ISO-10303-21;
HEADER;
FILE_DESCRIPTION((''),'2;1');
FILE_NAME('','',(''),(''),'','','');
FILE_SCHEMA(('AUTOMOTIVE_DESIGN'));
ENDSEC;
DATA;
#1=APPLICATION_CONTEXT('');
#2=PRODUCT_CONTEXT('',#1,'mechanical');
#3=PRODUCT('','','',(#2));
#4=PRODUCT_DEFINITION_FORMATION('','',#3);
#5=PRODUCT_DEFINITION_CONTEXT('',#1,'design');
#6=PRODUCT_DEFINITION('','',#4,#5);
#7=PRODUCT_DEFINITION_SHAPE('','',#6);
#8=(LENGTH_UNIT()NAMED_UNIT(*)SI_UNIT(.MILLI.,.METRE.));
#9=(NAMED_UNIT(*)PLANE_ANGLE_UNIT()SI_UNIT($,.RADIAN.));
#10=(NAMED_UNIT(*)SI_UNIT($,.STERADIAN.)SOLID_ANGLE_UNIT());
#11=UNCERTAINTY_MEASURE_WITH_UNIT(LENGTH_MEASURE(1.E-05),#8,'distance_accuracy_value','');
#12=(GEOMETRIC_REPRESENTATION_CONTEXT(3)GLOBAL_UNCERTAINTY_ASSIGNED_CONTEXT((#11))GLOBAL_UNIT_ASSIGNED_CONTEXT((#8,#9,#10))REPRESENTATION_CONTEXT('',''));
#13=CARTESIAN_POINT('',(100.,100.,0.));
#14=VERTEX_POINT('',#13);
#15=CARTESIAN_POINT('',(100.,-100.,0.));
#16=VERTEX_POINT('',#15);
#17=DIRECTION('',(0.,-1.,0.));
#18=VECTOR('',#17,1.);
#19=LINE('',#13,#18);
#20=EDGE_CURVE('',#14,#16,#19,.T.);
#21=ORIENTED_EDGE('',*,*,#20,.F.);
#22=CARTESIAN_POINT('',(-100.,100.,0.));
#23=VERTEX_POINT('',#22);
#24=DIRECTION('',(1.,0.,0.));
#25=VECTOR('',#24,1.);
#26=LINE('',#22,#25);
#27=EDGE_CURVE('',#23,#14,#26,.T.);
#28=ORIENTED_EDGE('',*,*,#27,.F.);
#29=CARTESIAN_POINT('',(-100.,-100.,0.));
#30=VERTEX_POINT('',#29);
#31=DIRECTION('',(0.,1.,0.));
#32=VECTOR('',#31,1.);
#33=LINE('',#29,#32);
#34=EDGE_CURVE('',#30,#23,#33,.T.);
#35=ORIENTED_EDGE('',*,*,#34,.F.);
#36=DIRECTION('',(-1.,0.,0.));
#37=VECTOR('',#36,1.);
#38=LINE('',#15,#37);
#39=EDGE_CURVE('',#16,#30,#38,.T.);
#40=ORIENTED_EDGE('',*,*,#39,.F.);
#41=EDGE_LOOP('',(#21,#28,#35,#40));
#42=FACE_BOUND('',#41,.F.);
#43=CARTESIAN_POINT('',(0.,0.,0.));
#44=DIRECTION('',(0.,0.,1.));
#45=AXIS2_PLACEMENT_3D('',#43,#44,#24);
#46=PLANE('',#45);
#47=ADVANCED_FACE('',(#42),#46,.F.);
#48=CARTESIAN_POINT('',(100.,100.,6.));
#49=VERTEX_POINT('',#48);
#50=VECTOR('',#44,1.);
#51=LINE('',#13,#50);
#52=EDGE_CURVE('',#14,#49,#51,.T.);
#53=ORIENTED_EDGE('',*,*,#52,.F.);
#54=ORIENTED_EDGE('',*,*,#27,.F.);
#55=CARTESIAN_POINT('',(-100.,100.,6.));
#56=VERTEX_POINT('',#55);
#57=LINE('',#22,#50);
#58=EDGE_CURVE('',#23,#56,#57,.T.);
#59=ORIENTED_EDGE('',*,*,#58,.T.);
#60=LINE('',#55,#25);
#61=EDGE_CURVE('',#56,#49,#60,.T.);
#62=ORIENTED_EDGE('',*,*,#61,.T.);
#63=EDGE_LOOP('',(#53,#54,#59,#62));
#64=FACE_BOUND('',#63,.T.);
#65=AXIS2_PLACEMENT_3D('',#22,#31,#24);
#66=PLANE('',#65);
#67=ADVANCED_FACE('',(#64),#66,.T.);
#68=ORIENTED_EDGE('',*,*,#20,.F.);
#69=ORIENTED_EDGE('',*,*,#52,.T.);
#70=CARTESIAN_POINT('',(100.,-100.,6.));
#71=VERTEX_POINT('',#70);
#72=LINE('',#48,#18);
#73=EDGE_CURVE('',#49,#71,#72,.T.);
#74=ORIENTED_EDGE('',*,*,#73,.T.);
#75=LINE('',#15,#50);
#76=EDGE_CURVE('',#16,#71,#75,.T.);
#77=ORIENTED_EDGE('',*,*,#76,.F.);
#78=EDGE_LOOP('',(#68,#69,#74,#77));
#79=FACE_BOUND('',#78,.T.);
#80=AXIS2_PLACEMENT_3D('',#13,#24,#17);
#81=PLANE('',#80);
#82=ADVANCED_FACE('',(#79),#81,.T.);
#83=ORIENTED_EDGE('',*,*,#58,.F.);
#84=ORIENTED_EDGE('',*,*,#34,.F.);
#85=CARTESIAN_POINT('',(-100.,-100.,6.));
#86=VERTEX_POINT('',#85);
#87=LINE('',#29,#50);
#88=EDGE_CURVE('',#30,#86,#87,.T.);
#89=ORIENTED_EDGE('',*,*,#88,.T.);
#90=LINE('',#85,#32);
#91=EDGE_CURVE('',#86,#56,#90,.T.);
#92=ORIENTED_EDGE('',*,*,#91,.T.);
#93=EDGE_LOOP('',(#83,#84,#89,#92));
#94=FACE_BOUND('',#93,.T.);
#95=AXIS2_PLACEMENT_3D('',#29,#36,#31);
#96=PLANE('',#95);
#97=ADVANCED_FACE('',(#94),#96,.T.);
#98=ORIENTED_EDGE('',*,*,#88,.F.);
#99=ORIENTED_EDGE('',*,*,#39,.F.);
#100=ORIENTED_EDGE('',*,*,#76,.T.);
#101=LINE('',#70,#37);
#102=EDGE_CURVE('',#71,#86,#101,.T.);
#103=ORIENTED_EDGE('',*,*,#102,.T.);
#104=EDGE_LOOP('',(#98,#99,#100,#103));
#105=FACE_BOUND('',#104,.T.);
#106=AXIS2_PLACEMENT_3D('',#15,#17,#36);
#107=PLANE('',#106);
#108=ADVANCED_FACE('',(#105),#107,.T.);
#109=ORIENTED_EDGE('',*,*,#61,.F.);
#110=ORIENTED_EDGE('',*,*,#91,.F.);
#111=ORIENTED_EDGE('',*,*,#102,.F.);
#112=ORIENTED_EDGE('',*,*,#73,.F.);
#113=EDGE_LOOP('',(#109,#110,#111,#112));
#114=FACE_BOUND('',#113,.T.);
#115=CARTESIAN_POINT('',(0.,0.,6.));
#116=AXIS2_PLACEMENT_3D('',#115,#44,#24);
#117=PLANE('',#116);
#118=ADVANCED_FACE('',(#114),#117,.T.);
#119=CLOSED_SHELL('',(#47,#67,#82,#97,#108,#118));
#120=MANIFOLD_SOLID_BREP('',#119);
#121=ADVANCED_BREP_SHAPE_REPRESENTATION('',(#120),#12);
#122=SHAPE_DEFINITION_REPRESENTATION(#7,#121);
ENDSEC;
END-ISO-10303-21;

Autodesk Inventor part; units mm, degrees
ref_plane "YZ Plane" through (0, 0, 0) normal (1, 0, 0) x (0, 1, 0)
ref_plane "XZ Plane" through (0, 0, 0) normal (0, 1, 0) x (-1, 0, 0)
ref_plane "XY Plane" through (0, 0, 0) normal (0, 0, 1) x (1, 0, 0)
sketch "Boceto1" plane through (0, 0, 0) normal (0, 0, 1) x (1, 0, 0)
  line L0 (100, -100) -> (-100, -100)
  line L1 (-100, -100) -> (-100, 100)
  line L2 (-100, 100) -> (100, 100)
  line L3 (100, 100) -> (100, -100)
  line L4 (100, -100) -> (-100, 100) construction
  line L5 (-100, -100) -> (100, 100) construction
  point P0 (0, 0)
  dimension "d0" = 200
  dimension "d1" = 200
extrude "Extrusión1" add sketch "Boceto1" along normal blind 6
properties part number "MaderaTrupan-20x20"
